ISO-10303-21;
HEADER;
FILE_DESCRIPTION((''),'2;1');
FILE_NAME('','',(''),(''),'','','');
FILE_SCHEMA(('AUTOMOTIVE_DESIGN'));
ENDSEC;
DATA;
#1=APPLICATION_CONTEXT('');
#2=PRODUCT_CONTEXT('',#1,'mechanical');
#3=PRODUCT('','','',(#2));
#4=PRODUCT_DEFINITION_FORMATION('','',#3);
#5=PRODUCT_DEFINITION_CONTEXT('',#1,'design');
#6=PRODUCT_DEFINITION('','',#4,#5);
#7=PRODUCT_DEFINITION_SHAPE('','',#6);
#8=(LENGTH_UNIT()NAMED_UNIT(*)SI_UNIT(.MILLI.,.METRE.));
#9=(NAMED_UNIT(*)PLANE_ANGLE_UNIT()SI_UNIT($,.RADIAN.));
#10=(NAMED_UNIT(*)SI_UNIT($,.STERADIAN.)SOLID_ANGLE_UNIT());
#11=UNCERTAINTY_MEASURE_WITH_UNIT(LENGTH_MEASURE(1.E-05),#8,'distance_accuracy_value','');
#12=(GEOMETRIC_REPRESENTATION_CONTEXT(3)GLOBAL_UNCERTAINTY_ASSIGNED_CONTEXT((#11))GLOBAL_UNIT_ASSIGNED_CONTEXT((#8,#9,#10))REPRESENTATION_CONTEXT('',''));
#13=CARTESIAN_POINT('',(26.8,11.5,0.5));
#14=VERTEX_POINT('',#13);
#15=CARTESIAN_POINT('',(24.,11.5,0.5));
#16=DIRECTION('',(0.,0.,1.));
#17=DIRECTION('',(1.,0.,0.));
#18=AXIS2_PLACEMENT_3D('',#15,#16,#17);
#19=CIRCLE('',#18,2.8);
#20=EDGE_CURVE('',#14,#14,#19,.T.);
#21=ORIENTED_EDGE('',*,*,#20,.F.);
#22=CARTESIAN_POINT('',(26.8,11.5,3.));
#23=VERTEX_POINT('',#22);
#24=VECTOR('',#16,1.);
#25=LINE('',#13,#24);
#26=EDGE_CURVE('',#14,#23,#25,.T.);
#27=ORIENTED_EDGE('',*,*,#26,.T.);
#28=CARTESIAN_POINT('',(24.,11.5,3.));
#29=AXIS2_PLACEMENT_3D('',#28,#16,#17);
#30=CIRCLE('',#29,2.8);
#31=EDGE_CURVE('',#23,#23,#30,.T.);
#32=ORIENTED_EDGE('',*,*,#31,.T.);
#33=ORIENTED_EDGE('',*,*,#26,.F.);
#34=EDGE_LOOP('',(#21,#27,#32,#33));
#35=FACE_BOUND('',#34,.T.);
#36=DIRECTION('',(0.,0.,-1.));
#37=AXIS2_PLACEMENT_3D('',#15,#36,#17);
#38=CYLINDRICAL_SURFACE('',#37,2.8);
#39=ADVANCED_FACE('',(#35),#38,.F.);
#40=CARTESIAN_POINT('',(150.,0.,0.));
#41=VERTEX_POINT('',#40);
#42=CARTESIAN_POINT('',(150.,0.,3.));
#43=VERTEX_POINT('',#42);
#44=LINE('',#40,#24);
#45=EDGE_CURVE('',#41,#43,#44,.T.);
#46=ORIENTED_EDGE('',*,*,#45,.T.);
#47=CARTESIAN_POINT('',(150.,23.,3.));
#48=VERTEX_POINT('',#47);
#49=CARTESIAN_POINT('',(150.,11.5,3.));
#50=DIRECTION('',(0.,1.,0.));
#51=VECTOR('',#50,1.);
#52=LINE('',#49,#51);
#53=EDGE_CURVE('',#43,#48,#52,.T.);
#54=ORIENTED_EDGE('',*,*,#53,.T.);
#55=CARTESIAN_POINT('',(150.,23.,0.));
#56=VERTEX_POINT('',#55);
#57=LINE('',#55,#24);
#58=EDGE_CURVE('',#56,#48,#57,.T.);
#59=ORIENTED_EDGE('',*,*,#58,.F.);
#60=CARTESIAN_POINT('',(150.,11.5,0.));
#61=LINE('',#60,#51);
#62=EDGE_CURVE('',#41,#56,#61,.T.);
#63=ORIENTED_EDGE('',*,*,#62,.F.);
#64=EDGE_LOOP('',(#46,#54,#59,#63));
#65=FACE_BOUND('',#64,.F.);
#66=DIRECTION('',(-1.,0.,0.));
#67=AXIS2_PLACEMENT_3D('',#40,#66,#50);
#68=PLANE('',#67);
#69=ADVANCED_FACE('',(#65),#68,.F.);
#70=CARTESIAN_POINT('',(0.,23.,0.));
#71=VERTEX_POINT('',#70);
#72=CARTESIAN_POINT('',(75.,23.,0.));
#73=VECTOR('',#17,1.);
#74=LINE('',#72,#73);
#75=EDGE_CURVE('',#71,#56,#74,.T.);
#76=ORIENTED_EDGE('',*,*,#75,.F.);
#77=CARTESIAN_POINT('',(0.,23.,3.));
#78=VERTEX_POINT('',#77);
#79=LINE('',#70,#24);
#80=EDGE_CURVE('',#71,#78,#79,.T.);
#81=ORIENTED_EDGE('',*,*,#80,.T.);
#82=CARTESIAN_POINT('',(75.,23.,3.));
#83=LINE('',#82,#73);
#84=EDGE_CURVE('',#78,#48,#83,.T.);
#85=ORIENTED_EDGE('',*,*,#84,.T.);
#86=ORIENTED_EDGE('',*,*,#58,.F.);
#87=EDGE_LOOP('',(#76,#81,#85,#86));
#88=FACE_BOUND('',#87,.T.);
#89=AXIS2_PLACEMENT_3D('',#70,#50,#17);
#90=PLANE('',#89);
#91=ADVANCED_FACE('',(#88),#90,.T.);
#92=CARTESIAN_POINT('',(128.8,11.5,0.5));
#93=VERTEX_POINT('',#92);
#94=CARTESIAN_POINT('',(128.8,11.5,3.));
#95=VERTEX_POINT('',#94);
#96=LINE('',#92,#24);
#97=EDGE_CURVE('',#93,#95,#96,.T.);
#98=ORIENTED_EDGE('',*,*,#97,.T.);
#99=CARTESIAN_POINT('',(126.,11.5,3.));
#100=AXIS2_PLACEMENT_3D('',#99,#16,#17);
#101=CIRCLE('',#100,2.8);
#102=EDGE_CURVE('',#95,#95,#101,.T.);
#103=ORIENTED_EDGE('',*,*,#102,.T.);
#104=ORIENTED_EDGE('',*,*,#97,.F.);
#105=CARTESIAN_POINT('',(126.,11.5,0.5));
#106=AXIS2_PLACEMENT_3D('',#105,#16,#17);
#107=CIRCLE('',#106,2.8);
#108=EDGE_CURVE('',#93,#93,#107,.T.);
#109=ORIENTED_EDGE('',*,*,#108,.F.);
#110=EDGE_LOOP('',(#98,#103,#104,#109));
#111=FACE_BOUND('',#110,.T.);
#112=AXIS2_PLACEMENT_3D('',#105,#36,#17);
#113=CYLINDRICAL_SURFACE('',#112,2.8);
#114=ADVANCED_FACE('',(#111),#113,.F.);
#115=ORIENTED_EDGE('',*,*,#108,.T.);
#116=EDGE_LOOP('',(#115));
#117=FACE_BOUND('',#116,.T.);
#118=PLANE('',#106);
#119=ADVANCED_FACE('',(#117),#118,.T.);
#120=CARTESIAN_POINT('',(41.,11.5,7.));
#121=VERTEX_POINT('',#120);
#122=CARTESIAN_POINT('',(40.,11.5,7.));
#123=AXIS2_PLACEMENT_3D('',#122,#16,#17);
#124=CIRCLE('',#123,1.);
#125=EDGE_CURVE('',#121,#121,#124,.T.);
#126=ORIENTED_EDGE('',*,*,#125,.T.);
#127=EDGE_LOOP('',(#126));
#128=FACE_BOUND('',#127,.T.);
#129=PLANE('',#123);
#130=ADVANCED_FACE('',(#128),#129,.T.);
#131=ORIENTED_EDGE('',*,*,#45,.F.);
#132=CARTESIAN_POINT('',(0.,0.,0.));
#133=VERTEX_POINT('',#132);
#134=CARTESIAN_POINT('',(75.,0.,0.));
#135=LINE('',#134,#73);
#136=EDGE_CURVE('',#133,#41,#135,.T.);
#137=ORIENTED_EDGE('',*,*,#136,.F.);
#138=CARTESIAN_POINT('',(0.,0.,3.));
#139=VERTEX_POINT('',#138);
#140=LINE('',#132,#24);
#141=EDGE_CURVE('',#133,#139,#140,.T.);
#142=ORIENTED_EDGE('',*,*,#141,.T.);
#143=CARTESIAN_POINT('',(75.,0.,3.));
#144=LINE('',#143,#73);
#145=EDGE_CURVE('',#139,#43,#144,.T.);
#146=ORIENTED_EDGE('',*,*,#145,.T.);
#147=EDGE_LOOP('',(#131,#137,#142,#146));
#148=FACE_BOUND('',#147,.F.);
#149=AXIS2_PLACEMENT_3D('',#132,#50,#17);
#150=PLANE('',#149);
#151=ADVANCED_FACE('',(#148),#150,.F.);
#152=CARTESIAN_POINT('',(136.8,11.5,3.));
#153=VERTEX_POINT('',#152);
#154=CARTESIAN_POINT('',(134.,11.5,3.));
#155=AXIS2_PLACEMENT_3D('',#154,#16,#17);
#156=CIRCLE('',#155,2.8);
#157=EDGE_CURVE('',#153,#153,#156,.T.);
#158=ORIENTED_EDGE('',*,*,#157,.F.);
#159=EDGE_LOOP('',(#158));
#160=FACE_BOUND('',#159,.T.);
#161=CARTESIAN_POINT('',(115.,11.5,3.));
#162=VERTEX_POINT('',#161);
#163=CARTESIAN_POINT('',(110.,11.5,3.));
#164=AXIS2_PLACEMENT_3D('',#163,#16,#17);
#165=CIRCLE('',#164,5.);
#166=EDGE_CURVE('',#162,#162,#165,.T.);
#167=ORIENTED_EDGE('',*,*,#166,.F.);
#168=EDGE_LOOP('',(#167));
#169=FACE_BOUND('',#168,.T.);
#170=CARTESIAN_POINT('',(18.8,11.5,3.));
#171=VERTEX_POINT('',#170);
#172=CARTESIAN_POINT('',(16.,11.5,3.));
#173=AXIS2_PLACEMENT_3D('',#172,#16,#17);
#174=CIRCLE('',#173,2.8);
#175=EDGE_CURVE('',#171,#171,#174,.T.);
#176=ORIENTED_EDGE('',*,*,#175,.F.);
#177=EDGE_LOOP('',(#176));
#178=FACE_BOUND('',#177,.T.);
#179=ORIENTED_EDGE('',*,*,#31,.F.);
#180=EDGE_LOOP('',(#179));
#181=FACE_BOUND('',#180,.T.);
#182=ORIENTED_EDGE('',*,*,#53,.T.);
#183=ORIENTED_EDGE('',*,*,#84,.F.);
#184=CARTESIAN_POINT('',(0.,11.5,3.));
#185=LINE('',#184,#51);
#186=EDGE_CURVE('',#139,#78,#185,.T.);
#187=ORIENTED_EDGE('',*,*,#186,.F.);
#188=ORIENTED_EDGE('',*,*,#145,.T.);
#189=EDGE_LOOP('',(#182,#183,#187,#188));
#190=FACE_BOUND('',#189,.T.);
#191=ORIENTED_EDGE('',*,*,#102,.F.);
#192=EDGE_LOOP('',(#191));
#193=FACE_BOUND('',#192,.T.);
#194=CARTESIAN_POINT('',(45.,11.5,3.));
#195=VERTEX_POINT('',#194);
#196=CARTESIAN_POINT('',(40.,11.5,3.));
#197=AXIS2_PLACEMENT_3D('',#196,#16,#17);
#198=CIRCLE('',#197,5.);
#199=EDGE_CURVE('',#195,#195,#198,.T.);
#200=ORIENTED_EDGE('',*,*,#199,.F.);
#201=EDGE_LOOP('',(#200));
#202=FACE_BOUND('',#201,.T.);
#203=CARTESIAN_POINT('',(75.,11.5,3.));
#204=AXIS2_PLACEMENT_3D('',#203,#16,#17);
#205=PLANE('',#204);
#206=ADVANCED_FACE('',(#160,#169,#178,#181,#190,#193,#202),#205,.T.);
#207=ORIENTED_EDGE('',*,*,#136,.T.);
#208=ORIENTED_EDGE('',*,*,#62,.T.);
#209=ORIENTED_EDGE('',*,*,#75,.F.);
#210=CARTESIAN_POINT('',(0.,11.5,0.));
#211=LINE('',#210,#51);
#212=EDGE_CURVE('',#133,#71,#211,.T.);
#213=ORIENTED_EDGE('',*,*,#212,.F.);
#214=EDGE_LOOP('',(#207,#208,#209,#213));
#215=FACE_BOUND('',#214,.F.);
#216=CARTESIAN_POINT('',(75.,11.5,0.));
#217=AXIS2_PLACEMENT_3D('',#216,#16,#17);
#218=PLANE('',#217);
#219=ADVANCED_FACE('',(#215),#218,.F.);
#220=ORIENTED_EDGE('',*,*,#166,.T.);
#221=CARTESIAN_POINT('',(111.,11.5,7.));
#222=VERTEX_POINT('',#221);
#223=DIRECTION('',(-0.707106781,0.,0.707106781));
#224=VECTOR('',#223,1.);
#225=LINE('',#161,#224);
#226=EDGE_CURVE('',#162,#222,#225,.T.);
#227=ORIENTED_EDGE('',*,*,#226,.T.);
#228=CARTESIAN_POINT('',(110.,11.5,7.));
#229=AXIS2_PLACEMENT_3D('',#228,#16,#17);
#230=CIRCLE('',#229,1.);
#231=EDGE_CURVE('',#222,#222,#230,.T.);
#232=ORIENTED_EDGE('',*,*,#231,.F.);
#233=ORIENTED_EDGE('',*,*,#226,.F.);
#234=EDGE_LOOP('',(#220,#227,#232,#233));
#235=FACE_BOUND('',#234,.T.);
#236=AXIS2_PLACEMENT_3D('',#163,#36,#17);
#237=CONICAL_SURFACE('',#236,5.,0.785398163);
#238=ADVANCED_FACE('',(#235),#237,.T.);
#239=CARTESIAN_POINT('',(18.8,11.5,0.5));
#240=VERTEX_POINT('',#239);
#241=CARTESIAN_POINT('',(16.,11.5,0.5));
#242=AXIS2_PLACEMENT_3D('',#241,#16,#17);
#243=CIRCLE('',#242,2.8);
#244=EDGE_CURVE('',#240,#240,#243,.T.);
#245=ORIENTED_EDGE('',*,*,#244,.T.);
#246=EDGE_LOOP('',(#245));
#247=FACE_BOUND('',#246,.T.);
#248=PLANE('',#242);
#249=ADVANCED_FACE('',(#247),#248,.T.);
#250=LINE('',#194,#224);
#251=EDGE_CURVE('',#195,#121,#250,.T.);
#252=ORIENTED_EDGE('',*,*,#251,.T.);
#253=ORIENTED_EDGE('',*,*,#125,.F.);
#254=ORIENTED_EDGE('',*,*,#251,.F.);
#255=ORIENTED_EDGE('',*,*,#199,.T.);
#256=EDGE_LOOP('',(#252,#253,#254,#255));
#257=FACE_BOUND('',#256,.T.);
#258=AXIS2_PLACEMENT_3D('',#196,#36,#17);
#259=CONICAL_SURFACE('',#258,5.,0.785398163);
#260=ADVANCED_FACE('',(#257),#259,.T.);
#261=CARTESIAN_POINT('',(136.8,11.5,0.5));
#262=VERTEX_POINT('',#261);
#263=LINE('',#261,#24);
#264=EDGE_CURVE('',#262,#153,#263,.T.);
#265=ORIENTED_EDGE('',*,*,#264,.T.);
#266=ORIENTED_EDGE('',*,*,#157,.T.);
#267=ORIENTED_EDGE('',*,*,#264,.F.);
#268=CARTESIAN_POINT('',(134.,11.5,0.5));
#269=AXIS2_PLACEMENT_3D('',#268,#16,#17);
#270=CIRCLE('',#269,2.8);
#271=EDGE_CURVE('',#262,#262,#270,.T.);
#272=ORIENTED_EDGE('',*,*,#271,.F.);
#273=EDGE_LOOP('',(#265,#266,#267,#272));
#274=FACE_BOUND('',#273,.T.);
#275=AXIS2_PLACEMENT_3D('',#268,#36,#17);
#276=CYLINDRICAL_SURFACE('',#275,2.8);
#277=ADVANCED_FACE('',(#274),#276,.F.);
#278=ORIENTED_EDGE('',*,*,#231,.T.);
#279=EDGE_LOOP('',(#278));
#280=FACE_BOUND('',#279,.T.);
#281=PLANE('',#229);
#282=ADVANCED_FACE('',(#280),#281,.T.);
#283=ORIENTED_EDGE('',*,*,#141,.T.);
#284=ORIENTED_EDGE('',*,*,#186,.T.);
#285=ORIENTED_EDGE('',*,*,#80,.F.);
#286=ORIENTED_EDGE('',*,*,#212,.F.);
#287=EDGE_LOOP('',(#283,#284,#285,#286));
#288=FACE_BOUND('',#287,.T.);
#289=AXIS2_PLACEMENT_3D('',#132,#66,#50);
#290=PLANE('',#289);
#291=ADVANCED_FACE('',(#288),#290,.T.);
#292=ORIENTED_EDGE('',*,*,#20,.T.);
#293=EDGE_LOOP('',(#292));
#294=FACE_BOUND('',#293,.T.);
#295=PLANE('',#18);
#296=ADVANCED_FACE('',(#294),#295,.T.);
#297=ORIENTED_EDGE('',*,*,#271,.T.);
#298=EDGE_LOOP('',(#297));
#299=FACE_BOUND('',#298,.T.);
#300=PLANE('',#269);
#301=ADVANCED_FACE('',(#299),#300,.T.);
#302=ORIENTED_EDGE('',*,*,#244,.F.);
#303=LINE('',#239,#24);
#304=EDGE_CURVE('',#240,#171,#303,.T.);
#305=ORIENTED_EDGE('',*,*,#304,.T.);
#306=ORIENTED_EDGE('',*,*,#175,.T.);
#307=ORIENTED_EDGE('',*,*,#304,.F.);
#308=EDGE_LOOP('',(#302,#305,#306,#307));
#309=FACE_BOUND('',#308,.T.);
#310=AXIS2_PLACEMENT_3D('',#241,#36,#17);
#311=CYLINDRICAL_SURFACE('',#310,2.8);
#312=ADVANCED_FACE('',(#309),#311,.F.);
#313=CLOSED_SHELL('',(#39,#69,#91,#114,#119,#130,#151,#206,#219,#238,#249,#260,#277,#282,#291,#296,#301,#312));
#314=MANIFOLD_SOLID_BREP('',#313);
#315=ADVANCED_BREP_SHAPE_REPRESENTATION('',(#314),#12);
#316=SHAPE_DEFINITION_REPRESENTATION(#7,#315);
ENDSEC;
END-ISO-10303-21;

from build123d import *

# Parameters (mm, degrees)
CYLINDER002_R     = 2.8
CYLINDER002_DEPTH = 2.5
CYLINDER001_R     = 2.8
CYLINDER001_DEPTH = 2.5
CYLINDER003_R     = 2.8
CYLINDER003_DEPTH = 2.5
CYLINDER_R        = 2.8
CYLINDER_DEPTH    = 2.5
BOX_W             = 150
BOX_H             = 23
BOX_DEPTH         = 3


with BuildPart() as cylinder002:
    # Cylinder002 → Cylinder002 (new body)
    with BuildSketch(Plane(origin=(126, 11.5, 0.5), x_dir=(1, 0, 0), z_dir=(0, 0, 1))):
        Circle(CYLINDER002_R)
    extrude(amount=CYLINDER002_DEPTH)


with BuildPart() as cylinder001:
    # Cylinder001 → Cylinder001 (new body)
    with BuildSketch(Plane(origin=(24, 11.5, 0.5), x_dir=(1, 0, 0), z_dir=(0, 0, 1))):
        Circle(CYLINDER001_R)
    extrude(amount=CYLINDER001_DEPTH)


with BuildPart() as cylinder003:
    # Cylinder003 → Cylinder003 (new body)
    with BuildSketch(Plane(origin=(134, 11.5, 0.5), x_dir=(1, 0, 0), z_dir=(0, 0, 1))):
        Circle(CYLINDER003_R)
    extrude(amount=CYLINDER003_DEPTH)


with BuildPart() as fusion:
    # Cylinder → Cylinder (new body)
    with BuildSketch(Plane(origin=(16, 11.5, 0.5), x_dir=(1, 0, 0), z_dir=(0, 0, 1))):
        Circle(CYLINDER_R)
    extrude(amount=CYLINDER_DEPTH)

    # Fusion: union Cylinder002, Cylinder001, Cylinder003
    add(cylinder002.part)
    add(cylinder001.part)
    add(cylinder003.part)


with BuildPart() as cone:
    # Cone → Cone (revolve)
    with BuildSketch(Plane(origin=(40, 11.5, 3), x_dir=(1, 0, 0), z_dir=(0, -1, 0))):
        Polygon((0, 0), (5, 0), (1, 4), (0, 4), align=None)
    revolve(axis=Axis((40, 11.5, 3), (0, 0, 1)))


with BuildPart() as base:
    # Box → Box (new body)
    with BuildSketch(Plane.XY):
        with Locations((75, 11.5)):
            Rectangle(BOX_W, BOX_H)
    extrude(amount=BOX_DEPTH)


with BuildPart() as bottom:
    # Cone001 → Cone001 (revolve)
    with BuildSketch(Plane(origin=(110, 11.5, 3), x_dir=(1, 0, 0), z_dir=(0, -1, 0))):
        Polygon((0, 0), (5, 0), (1, 4), (0, 4), align=None)
    revolve(axis=Axis((110, 11.5, 3), (0, 0, 1)))

    # Fusion001: union Cone, base
    add(cone.part)
    add(base.part)

    # Cut: cut Fusion
    add(fusion.part, mode=Mode.SUBTRACT)


solid = bottom.part
